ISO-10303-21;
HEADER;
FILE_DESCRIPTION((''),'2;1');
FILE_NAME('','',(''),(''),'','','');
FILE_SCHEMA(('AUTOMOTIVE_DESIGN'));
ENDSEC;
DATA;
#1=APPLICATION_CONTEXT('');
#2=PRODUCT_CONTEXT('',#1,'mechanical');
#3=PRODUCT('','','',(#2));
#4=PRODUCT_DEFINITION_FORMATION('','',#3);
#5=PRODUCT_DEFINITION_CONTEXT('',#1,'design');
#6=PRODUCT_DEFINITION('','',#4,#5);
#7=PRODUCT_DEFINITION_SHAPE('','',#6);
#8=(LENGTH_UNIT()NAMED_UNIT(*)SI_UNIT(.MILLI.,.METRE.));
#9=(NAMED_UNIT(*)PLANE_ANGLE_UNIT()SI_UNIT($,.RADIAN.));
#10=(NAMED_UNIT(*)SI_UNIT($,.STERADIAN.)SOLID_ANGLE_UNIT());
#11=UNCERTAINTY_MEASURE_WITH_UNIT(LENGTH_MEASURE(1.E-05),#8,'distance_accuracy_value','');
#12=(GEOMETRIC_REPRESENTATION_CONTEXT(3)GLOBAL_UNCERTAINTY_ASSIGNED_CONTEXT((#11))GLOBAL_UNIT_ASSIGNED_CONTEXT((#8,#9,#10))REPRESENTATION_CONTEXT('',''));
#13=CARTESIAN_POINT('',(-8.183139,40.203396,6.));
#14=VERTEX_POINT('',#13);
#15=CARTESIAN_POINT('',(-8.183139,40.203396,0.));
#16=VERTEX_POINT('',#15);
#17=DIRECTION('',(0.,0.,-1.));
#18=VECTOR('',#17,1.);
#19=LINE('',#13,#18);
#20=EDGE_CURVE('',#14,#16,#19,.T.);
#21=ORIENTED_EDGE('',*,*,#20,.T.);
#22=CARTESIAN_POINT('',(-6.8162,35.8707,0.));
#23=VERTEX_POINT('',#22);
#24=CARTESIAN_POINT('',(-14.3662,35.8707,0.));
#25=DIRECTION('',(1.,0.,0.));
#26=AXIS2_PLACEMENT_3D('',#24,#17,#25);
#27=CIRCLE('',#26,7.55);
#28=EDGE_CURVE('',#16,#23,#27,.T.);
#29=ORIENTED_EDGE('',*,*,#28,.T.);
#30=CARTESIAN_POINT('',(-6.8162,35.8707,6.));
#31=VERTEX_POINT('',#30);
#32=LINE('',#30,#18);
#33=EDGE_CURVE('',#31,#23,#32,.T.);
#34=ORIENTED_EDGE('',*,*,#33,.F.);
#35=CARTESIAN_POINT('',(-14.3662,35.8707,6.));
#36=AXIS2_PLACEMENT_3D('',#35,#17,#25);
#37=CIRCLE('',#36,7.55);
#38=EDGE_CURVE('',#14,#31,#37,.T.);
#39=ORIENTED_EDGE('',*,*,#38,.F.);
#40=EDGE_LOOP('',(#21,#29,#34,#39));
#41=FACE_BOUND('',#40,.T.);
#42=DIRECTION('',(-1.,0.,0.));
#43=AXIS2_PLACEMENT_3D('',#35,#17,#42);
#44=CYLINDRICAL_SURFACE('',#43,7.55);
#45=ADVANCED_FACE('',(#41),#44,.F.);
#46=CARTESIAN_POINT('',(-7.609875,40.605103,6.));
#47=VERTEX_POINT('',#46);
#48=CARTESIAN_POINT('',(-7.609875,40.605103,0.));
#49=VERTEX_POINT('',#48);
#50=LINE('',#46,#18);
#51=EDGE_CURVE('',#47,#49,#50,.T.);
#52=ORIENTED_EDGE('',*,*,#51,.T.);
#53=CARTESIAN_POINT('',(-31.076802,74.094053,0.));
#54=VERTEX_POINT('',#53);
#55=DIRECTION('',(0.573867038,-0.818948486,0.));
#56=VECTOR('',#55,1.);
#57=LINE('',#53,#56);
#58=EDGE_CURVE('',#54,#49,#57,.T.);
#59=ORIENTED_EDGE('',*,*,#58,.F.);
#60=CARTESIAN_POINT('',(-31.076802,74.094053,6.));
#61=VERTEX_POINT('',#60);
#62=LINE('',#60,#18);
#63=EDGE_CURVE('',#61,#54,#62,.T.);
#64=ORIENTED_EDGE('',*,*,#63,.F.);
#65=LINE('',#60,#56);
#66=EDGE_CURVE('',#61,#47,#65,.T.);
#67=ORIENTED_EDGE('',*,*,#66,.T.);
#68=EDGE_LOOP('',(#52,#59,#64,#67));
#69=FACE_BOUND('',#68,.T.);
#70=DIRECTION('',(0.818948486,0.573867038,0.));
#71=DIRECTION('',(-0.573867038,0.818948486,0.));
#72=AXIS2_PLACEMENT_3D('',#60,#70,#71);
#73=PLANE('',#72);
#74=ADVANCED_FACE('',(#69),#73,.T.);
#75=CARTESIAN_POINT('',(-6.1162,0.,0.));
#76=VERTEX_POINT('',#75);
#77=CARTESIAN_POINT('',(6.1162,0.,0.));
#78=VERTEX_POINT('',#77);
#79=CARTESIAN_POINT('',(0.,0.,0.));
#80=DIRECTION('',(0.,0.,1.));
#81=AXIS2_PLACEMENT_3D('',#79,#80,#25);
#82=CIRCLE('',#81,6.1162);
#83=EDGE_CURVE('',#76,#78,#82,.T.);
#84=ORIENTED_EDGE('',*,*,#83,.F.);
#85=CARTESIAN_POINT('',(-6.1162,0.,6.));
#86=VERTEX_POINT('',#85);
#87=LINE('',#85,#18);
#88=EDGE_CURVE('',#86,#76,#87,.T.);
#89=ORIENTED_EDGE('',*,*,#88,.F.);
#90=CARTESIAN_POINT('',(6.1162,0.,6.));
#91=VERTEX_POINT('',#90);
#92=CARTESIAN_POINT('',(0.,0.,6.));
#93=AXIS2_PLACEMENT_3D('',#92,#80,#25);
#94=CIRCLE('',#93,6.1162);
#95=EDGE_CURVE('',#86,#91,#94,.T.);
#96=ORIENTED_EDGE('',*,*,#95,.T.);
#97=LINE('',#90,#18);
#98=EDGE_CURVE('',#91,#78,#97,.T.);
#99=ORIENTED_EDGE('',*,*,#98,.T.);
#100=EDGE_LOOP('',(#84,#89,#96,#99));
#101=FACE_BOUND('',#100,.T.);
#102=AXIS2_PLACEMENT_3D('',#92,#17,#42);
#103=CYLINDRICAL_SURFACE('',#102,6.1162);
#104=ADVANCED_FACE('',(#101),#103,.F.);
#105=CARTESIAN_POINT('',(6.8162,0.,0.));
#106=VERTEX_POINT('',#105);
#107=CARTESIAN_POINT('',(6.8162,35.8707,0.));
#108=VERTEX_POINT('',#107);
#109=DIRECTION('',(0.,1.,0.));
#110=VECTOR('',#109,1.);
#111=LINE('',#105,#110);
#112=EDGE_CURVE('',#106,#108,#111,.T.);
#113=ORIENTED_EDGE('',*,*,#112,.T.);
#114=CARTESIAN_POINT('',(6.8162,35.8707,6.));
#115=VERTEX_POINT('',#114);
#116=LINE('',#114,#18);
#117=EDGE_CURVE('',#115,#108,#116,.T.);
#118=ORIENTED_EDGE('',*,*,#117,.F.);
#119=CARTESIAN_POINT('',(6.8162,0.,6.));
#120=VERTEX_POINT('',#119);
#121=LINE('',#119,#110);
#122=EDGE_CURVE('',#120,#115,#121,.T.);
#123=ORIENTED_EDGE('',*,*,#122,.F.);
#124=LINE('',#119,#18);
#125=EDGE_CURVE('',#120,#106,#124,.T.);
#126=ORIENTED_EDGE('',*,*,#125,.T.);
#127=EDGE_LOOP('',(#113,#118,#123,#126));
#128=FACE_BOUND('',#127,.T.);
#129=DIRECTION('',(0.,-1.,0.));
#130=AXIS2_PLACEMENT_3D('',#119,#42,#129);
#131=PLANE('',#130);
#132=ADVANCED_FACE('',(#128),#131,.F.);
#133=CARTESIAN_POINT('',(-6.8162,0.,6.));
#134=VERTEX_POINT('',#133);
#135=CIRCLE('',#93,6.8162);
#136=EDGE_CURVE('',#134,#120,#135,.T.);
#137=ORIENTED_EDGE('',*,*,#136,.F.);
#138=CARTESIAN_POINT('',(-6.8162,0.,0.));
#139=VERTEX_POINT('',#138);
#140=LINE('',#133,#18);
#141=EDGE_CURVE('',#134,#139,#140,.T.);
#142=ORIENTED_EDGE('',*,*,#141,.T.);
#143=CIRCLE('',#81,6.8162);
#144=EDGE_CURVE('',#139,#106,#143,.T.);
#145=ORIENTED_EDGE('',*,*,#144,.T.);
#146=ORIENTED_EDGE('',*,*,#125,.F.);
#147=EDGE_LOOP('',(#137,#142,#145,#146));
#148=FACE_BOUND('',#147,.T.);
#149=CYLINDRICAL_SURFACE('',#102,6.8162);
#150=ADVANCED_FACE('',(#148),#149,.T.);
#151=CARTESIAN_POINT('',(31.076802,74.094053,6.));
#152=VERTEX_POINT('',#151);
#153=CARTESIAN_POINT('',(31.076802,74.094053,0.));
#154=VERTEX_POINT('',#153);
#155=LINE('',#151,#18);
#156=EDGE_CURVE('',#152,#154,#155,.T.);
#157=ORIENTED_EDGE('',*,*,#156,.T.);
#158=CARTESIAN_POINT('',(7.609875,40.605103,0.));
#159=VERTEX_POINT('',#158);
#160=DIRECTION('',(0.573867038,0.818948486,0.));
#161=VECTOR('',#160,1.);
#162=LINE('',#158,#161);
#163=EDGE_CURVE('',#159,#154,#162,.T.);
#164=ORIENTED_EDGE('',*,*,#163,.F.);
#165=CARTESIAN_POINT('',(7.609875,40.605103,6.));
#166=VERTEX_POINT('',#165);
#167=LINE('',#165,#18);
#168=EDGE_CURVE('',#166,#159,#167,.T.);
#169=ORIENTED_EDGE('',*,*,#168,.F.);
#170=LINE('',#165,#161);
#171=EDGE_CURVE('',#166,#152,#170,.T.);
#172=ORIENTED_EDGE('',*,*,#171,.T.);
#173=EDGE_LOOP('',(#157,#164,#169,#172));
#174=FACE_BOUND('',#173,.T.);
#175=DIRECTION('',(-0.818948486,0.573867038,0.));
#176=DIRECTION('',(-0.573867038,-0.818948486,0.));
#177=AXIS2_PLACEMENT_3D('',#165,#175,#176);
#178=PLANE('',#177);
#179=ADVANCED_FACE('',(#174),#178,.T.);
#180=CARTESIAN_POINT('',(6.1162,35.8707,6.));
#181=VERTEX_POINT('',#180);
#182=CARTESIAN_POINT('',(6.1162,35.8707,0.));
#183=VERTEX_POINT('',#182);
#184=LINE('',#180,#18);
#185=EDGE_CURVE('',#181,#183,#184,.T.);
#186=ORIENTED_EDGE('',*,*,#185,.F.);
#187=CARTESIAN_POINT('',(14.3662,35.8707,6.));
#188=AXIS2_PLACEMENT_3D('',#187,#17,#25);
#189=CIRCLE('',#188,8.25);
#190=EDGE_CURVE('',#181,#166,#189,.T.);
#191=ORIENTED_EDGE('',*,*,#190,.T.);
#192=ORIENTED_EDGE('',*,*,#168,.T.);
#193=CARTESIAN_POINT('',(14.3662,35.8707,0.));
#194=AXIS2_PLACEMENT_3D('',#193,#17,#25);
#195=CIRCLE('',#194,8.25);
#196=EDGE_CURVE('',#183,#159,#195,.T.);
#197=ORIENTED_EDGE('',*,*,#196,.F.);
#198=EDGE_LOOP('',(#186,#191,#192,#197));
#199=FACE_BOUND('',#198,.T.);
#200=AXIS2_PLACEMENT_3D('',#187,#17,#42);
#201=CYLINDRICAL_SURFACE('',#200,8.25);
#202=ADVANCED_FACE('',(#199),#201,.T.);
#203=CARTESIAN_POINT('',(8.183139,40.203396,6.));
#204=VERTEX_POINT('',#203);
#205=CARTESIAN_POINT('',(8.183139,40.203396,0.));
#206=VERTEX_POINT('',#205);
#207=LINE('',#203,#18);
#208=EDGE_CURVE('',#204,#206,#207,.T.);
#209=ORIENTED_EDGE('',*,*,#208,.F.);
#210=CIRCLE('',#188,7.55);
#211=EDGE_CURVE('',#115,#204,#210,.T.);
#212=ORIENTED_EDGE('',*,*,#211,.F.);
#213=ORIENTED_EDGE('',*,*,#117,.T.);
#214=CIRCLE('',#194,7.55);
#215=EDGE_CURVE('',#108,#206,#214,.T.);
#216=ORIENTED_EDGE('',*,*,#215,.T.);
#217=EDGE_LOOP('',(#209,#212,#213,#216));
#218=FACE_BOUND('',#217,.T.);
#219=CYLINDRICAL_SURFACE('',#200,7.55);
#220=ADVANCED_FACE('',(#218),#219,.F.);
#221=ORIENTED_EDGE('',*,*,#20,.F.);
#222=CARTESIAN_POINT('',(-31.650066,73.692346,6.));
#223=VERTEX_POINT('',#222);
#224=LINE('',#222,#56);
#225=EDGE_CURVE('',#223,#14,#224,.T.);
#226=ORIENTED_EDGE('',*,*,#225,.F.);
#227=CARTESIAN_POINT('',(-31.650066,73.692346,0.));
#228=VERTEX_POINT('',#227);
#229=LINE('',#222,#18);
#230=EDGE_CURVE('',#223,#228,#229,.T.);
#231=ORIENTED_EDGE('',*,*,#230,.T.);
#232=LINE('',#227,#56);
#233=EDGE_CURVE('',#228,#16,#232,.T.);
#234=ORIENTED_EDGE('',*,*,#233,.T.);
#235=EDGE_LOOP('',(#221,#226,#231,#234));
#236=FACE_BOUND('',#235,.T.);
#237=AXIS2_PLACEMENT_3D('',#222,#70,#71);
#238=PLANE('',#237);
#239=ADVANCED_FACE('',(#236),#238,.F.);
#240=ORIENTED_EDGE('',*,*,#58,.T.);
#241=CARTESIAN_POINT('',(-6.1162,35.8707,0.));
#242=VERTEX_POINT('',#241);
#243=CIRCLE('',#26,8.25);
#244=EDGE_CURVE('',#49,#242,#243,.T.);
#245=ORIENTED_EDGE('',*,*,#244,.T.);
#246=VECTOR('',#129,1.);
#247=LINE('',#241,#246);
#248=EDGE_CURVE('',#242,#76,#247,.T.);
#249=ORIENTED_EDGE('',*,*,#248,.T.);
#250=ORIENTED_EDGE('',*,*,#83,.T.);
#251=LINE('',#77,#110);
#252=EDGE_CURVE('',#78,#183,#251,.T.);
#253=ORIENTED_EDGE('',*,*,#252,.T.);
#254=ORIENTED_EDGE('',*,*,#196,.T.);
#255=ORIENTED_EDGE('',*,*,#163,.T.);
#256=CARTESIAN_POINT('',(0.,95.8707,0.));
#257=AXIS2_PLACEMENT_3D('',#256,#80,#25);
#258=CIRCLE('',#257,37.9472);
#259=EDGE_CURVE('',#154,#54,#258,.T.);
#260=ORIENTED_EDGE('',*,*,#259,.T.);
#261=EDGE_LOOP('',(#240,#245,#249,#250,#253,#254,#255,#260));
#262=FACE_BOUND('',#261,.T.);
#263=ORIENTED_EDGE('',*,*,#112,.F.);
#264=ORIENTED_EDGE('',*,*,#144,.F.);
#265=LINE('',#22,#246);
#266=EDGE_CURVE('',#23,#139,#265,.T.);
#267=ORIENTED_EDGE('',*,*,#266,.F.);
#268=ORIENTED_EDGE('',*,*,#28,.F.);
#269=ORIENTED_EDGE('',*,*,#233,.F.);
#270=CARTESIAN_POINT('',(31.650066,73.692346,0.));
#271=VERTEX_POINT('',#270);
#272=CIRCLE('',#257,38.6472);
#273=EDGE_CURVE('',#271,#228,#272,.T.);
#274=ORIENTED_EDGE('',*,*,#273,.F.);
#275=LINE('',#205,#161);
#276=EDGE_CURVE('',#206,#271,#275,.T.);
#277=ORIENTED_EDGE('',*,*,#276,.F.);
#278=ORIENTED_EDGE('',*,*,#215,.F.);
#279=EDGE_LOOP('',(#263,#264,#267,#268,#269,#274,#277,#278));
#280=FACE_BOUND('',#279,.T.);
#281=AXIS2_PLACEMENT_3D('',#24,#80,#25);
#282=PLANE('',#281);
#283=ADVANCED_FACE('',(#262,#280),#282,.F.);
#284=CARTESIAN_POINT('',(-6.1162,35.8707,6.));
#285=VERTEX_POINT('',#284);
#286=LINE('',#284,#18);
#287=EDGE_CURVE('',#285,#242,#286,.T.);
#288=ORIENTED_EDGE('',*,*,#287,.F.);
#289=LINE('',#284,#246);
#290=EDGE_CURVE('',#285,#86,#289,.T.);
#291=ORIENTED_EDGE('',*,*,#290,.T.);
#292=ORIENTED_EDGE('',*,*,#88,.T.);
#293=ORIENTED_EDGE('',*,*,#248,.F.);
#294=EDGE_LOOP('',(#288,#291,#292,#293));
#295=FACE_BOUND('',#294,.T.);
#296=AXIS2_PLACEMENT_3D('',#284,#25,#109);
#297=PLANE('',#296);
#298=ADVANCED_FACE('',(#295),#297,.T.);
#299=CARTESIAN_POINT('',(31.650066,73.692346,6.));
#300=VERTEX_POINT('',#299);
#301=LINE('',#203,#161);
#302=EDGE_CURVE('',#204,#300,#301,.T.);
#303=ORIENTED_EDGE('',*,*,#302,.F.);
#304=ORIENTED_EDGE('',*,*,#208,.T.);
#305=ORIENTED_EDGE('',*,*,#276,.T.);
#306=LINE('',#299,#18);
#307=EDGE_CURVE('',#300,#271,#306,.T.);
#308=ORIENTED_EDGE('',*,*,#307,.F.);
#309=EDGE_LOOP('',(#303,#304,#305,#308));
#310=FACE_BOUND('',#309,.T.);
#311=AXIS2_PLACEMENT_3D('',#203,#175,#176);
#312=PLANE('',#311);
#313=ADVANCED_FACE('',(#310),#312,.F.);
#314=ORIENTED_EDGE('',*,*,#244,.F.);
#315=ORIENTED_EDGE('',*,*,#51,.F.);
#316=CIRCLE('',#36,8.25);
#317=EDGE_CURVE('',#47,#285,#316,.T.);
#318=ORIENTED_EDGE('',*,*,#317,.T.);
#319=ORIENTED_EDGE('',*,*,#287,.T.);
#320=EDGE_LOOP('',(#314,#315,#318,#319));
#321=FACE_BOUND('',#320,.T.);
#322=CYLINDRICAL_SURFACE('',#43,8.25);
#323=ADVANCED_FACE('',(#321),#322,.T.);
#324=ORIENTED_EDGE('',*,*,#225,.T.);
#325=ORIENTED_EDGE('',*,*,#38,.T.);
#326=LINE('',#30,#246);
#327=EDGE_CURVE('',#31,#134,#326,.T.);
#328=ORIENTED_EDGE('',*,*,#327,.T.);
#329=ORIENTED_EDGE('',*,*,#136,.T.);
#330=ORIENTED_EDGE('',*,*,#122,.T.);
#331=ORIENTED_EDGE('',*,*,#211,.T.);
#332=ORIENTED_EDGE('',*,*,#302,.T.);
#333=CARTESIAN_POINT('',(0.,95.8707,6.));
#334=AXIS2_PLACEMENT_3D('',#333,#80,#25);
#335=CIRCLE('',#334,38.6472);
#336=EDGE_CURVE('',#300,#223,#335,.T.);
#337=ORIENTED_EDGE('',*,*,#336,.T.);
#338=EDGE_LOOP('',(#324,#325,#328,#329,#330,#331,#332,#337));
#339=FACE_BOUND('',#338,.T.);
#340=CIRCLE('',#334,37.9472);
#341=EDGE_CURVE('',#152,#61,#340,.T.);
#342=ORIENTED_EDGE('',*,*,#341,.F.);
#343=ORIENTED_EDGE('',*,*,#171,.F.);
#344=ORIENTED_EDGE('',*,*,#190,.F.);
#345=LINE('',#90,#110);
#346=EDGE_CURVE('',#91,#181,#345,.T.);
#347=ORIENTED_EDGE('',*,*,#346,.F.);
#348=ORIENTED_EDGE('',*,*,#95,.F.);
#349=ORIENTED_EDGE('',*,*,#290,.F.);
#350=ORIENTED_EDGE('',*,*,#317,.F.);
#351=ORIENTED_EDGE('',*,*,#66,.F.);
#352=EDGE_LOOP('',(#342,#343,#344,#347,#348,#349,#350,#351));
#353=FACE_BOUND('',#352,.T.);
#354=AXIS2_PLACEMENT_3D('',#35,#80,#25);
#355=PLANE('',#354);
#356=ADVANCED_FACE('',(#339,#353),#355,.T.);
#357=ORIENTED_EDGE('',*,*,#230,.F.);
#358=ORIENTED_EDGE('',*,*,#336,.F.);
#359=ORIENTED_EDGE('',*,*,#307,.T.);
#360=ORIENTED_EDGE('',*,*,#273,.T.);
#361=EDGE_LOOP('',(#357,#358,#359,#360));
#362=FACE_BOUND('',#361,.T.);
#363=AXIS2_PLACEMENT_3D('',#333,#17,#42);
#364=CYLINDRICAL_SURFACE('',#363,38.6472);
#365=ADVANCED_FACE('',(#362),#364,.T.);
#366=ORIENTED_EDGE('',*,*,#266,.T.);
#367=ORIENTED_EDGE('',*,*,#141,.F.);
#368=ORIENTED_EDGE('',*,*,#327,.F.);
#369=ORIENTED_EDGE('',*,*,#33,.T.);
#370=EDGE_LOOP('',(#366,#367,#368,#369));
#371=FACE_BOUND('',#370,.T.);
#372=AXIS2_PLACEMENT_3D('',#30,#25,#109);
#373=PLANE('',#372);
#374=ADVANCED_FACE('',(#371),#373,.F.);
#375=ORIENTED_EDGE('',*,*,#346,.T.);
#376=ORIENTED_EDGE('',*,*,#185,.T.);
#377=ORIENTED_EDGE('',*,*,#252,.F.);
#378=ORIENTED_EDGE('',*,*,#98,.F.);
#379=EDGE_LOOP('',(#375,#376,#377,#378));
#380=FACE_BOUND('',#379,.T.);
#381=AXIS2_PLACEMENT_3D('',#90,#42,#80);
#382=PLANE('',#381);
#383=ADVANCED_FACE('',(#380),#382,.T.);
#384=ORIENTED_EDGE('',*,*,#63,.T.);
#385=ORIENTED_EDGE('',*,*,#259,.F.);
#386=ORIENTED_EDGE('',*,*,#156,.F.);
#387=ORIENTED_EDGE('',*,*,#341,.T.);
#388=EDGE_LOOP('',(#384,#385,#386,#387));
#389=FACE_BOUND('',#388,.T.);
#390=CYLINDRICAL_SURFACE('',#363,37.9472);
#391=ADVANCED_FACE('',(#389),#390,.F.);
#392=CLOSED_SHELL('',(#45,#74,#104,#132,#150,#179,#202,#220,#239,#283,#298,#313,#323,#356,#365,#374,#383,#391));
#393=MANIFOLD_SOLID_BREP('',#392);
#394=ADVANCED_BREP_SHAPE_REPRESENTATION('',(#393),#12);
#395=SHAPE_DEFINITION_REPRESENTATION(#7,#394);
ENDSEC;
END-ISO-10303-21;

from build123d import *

# Parameters (mm, degrees)
BOSS_EXTRUDE1_DEPTH = 6


with BuildPart() as part:
    # Sketch2 → Boss-Extrude1 (new body)
    with BuildSketch(Plane.XY):
        with BuildLine():
            Line((-6.8162, 35.870699957), (-6.8162, 0))
            ThreePointArc((-6.8162, 0), (0, -6.8162), (6.8162, 0))
            Line((6.8162, 0), (6.8162, 35.870699957))
            ThreePointArc((6.8162, 35.870699957), (7.166039895, 38.142306097), (8.183138929, 40.203396091))
            Line((8.183138929, 40.203396091), (31.650065938, 73.692345781))
            ThreePointArc((31.650065938, 73.692345781), (0, 134.517899957), (-31.650065938, 73.692345781))
            Line((-31.650065938, 73.692345781), (-8.183138929, 40.203396091))
            ThreePointArc((-8.183138929, 40.203396091), (-7.166039895, 38.142306097), (-6.8162, 35.870699957))
        make_face()
        with BuildLine():
            Line((-6.1162, 35.870699957), (-6.1162, 0))
            ThreePointArc((-6.1162, 0), (0, -6.1162), (6.1162, 0))
            Line((6.1162, 0), (6.1162, 35.870699957))
            ThreePointArc((6.1162, 35.870699957), (6.498475381, 38.352918587), (7.609874988, 40.605103017))
            Line((7.609874988, 40.605103017), (31.076801998, 74.094052707))
            ThreePointArc((31.076801998, 74.094052707), (0, 133.817899957), (-31.076801998, 74.094052707))
            Line((-31.076801998, 74.094052707), (-7.609874988, 40.605103017))
            ThreePointArc((-7.609874988, 40.605103017), (-6.498475381, 38.352918587), (-6.1162, 35.870699957))
        make_face(mode=Mode.SUBTRACT)
    extrude(amount=BOSS_EXTRUDE1_DEPTH)


solid = part.part
